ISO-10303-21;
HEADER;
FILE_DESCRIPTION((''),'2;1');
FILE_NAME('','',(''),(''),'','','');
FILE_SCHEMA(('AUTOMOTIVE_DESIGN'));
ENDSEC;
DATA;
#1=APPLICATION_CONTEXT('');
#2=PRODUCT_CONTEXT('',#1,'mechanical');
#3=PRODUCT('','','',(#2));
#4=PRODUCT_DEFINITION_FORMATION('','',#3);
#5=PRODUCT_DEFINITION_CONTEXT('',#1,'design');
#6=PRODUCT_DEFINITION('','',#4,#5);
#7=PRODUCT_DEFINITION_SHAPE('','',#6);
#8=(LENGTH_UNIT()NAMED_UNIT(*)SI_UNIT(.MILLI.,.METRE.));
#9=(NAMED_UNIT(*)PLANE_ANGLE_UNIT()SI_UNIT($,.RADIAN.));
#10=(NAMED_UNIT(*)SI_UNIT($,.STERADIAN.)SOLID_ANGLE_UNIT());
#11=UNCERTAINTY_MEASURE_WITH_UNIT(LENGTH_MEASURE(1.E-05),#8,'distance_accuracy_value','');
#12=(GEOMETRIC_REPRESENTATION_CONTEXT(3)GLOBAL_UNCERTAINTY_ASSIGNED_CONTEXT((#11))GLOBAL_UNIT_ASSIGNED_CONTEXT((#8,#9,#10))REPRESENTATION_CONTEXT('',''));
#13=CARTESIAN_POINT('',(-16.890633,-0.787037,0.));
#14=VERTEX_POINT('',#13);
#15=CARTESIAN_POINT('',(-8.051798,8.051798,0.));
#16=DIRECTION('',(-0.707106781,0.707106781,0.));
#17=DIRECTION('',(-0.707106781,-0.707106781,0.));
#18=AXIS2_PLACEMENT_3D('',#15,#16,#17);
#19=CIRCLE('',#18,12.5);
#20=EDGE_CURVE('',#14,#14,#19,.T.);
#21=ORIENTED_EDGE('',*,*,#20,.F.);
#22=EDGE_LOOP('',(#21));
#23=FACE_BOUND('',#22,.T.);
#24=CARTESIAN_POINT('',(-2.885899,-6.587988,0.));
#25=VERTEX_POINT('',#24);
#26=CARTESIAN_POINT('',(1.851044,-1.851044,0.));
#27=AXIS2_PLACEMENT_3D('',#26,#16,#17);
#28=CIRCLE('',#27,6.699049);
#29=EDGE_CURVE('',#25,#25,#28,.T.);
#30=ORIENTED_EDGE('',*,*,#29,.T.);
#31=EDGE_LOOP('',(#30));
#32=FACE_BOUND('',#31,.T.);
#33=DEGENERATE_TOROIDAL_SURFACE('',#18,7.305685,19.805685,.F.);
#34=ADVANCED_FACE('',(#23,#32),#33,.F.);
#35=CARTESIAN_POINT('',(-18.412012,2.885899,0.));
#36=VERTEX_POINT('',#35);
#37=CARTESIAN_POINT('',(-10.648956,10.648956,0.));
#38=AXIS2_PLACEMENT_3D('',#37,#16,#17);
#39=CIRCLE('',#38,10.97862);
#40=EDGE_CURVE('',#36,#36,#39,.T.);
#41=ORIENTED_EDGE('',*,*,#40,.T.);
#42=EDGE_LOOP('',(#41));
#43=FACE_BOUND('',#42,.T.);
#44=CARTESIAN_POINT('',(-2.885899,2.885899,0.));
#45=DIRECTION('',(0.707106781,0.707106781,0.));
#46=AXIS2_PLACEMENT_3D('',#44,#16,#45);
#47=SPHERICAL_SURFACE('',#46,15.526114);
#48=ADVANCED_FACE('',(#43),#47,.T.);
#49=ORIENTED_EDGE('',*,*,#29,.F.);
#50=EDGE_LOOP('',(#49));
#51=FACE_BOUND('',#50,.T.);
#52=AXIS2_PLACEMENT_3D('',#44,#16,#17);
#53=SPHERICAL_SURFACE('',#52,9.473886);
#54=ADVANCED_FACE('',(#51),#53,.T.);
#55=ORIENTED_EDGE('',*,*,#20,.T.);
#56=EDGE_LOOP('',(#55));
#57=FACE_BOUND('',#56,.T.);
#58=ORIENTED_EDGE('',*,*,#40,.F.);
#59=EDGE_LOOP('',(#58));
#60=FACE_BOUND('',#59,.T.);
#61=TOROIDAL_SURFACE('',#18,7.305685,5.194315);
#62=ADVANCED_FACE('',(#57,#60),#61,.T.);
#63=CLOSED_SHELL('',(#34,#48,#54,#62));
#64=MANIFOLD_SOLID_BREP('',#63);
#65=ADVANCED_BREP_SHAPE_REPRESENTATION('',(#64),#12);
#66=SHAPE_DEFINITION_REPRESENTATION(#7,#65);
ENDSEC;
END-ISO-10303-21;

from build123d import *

# Parameters (mm, degrees)
SCALE1_SCALE = 0.5


with BuildPart() as part:
    # Sketch1 → Revolve1 (revolve)
    with BuildSketch(Plane.XY, mode=Mode.PRIVATE) as revolve1_sk:
        with BuildLine():
            Line((-21.957240737, 21.957240737), (13.398098322, -13.398098322))
            ThreePointArc((13.398098322, -13.398098322), (17.505459067, -7.250998561), (18.947772357, 0))
            ThreePointArc((18.947772357, 0), (15.93253635, 15.158615055), (7.345870679, 28.00946838))
            ThreePointArc((7.345870679, 28.00946838), (3.975556564, 30.261440275), (0, 31.052227643))
            ThreePointArc((0, 31.052227643), (-11.883173057, 28.688517558), (-21.957240737, 21.957240737))
        make_face()
    revolve(revolve1_sk.sketch.rotate(Axis((-52.286515691, 52.286515691, 0), (0.7071067811865465, -0.7071067811865487, 0)), 180), axis=Axis((-52.286515691, 52.286515691, 0), (0.7071067811865465, -0.7071067811865487, 0)))


with BuildPart() as part_1:
    # Scale1: scaled about (-5.771797202, 5.771797202, 0)
    add(part.part.scale(SCALE1_SCALE).moved(Location((-2.885898601, 2.885898601, 0))))


solid = part_1.part
